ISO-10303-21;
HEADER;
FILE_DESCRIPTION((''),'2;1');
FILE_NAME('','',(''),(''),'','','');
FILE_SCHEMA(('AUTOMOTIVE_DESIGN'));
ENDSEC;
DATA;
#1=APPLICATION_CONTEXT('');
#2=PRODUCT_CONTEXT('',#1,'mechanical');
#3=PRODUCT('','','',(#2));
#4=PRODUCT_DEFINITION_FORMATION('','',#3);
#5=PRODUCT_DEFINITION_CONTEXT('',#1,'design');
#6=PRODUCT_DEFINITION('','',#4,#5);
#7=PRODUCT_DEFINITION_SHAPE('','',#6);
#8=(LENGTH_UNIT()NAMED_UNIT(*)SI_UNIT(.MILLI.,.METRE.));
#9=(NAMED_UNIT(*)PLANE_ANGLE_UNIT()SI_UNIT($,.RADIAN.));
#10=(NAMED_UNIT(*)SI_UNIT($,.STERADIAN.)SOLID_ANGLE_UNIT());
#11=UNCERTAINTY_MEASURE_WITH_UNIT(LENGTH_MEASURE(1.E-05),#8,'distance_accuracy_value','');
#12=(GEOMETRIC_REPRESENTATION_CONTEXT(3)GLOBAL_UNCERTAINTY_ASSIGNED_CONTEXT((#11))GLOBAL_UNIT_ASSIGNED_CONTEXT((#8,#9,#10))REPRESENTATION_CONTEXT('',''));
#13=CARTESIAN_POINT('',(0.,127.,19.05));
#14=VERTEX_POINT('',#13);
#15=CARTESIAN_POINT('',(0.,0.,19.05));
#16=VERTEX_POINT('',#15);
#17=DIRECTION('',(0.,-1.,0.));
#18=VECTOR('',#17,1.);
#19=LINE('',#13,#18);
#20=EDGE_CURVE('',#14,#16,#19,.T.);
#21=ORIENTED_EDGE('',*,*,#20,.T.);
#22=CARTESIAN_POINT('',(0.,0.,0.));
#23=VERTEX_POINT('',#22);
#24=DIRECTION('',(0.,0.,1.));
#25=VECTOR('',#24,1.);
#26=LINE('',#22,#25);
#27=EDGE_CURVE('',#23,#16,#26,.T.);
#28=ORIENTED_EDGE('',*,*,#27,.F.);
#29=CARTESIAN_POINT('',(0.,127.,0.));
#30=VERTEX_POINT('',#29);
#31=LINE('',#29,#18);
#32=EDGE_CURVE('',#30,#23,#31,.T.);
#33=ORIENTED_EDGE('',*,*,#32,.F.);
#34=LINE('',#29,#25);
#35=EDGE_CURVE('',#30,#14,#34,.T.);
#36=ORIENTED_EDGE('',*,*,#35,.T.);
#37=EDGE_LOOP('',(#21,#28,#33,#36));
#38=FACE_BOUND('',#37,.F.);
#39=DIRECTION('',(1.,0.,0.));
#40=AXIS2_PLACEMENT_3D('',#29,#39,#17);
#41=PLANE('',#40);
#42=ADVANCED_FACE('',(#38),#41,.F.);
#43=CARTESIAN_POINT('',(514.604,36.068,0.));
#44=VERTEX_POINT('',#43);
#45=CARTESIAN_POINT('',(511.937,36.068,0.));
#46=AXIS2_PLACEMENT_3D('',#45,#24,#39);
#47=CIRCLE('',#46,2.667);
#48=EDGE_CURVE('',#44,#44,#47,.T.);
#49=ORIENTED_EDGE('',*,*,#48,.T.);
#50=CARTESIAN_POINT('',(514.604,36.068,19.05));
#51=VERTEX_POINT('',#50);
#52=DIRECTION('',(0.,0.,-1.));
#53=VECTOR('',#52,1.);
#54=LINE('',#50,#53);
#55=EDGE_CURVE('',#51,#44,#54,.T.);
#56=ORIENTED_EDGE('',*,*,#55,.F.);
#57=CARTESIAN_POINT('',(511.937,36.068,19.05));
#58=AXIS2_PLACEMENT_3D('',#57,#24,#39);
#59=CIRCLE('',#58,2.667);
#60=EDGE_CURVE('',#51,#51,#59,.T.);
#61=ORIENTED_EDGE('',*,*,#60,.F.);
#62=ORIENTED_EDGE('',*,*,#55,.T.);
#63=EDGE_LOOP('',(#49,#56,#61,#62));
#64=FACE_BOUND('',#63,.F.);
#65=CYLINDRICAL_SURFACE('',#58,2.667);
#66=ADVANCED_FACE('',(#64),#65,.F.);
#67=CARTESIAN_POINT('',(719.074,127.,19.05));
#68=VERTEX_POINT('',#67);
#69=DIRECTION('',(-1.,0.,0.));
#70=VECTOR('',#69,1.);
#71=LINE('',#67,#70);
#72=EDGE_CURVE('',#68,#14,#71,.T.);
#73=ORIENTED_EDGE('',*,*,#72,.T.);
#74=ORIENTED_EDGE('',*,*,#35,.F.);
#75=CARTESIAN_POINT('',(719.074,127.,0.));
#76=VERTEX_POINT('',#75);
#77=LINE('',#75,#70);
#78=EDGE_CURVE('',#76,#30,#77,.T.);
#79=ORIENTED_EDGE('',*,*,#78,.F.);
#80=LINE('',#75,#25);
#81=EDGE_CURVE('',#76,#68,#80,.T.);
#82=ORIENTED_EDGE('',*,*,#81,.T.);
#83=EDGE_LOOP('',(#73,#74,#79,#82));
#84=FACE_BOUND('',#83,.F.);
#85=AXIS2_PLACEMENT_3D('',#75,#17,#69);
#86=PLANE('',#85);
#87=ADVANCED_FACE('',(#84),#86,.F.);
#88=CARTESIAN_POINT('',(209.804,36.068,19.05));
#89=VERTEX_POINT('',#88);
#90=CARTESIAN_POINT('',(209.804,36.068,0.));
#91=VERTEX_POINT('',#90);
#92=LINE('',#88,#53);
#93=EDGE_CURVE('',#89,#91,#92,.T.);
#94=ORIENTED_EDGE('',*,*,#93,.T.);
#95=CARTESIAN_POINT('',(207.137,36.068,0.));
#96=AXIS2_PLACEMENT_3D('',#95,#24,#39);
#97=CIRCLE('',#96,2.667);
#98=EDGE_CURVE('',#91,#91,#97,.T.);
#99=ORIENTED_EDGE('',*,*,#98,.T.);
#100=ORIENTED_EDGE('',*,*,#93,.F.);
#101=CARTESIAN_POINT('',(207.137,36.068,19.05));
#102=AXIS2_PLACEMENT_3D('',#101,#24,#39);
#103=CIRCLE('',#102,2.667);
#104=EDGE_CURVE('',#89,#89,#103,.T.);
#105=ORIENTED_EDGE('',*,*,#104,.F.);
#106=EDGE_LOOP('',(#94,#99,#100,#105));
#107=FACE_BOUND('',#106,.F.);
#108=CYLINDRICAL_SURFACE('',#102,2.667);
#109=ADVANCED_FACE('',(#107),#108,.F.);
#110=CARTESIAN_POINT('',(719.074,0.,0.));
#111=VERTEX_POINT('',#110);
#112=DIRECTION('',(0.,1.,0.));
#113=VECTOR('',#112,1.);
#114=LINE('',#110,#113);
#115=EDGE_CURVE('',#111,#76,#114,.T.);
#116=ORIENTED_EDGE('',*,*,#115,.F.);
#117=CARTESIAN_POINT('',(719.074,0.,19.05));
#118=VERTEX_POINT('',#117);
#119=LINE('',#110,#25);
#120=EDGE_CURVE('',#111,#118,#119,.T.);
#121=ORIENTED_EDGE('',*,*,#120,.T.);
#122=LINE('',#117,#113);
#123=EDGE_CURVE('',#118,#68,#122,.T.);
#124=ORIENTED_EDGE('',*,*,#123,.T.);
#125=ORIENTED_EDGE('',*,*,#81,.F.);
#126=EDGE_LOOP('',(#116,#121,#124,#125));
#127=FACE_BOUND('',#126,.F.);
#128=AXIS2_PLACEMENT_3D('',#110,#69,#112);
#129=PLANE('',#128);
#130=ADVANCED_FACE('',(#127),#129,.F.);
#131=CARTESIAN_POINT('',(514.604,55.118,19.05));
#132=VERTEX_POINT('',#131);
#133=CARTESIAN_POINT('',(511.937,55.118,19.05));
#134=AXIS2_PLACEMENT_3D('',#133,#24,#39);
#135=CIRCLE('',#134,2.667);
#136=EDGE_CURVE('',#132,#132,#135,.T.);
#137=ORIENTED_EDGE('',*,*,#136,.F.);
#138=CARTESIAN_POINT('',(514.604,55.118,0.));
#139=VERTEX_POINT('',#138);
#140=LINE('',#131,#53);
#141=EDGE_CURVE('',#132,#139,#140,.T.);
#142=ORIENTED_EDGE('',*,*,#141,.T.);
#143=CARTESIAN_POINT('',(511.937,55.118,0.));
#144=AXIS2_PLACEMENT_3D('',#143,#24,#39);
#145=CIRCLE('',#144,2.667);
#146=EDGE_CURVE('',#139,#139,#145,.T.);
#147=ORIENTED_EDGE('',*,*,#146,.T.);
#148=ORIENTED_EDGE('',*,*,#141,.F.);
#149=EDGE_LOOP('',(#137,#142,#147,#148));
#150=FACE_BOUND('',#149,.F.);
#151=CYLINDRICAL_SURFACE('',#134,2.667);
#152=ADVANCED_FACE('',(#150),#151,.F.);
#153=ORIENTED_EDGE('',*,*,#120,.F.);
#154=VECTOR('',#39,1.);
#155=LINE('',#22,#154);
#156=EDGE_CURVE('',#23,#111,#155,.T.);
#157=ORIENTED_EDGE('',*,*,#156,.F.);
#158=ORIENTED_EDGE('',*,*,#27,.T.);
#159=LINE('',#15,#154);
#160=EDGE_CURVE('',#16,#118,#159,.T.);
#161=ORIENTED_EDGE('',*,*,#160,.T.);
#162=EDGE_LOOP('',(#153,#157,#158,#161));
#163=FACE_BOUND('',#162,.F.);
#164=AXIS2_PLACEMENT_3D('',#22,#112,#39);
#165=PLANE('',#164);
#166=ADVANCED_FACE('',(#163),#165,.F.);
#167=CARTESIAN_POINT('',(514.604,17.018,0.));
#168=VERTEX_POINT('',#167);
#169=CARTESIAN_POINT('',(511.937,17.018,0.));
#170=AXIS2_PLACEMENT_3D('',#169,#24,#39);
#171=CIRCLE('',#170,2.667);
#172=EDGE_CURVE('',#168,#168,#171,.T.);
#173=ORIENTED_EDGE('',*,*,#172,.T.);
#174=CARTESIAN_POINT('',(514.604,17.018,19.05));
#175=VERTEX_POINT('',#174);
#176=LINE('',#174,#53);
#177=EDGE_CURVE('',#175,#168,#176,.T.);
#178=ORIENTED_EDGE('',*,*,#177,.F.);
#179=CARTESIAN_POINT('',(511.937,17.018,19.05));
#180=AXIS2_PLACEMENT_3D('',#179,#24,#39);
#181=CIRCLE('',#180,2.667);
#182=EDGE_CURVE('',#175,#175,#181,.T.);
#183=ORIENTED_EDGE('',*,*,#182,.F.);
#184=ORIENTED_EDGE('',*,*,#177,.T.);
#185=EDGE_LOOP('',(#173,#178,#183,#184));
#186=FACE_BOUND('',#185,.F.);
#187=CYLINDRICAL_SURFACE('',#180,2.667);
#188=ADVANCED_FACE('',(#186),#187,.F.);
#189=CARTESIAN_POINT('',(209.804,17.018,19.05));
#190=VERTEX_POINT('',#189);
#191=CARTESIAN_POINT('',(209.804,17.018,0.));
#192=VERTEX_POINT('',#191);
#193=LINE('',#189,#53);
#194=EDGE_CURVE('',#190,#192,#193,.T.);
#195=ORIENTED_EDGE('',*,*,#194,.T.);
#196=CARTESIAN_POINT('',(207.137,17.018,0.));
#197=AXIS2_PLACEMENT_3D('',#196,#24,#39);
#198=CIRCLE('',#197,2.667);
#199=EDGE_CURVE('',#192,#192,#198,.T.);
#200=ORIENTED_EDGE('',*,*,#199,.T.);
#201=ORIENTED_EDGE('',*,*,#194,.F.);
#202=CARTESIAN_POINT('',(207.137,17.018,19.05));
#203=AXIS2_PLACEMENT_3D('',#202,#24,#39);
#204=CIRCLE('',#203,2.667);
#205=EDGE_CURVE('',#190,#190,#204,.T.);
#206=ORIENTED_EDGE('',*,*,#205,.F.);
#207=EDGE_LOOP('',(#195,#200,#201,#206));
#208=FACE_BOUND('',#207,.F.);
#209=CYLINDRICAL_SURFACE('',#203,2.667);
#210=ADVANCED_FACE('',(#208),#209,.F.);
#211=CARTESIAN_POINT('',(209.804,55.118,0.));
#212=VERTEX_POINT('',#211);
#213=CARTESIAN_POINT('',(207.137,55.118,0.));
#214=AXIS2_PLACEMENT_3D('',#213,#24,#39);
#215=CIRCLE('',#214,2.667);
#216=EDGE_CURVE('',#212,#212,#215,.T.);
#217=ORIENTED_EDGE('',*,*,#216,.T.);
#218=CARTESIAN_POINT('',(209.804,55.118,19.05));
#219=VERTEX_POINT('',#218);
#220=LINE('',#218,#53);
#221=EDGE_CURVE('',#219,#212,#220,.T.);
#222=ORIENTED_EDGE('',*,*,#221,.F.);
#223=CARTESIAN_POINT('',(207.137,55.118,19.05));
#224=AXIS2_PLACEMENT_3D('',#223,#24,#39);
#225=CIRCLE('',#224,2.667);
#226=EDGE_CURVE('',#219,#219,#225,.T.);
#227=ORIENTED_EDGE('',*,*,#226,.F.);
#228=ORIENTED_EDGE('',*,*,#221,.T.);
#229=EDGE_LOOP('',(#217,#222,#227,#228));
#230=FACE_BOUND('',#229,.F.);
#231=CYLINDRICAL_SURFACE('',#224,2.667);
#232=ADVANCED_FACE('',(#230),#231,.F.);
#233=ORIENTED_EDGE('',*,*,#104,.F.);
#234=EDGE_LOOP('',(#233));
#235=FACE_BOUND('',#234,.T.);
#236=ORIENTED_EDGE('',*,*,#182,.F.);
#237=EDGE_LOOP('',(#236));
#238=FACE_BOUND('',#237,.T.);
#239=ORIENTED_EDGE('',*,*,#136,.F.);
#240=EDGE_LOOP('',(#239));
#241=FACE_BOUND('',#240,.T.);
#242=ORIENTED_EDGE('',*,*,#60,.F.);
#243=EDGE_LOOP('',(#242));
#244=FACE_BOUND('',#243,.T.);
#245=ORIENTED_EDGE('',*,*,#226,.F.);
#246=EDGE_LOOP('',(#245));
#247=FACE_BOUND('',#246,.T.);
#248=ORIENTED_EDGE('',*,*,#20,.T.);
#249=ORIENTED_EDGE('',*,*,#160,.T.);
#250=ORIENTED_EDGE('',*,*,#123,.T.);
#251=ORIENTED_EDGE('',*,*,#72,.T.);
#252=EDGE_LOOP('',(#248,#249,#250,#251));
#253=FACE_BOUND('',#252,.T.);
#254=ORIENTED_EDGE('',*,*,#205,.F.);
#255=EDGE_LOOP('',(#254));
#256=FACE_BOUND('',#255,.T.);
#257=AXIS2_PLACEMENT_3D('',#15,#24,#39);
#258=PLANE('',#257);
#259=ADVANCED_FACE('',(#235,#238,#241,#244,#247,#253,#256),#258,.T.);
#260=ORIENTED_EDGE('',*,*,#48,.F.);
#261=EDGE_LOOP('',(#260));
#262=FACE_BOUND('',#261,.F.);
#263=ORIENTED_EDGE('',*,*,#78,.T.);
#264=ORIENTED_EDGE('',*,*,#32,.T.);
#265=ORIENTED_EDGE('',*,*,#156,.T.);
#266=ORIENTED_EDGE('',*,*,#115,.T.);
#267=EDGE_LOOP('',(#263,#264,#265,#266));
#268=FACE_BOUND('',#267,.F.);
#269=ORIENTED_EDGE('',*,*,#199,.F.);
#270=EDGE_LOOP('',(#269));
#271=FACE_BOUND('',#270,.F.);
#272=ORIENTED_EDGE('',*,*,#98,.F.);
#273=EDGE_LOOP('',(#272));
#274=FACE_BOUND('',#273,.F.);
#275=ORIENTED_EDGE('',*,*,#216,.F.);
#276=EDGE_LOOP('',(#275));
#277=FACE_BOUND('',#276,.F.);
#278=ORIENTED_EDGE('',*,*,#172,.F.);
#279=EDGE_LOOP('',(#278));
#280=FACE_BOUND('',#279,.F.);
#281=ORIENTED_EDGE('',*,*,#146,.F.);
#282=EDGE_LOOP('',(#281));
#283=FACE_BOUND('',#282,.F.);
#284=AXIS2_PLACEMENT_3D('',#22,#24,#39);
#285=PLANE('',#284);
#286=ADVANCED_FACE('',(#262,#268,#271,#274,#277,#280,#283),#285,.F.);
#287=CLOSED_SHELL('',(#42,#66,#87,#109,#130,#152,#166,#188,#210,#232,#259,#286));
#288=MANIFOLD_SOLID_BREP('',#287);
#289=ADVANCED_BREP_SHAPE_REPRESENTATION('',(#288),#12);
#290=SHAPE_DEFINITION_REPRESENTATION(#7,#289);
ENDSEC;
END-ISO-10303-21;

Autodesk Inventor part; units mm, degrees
ref_plane "YZ Plane" through (0, 0, 0) normal (1, 0, 0) x (0, 1, 0)
ref_plane "XZ Plane" through (0, 0, 0) normal (0, 1, 0) x (-1, 0, 0)
ref_plane "XY Plane" through (0, 0, 0) normal (0, 0, 1) x (1, 0, 0)
sketch "Sketch1" plane through (0, 0, 0) normal (0, 0, 1) x (1, 0, 0)
  line L0 (0, 0) -> (719.074, 0)
  line L1 (719.074, 0) -> (719.074, 127)
  line L2 (719.074, 127) -> (0, 127)
  line L3 (0, 127) -> (0, 0)
  dimension "d0" = 719.074
  dimension "d1" = 127
extrude "Extrusion1" add sketch "Sketch1" along normal blind 19.05
sketch "Sketch2" plane through (0, 0, 19.05) normal (0, 0, 1) x (1, 0, 0)
  line L0 (0, 0) -> (719.074, 0) construction
  line L1 (0, 0) -> (207.137, 0) construction
  line L2 (207.137, 0) -> (207.137, 17.018) construction
  line L3 (207.137, 17.018) -> (207.137, 36.068) construction
  line L4 (207.137, 36.068) -> (207.137, 55.118) construction
  line L5 (719.074, 127) -> (0, 127) construction
  line L6 (359.537, 127) -> (359.537, 0) construction
  circle A0 centre (207.137, 17.018) radius 2.667
  circle A1 centre (207.137, 36.068) radius 2.667
  circle A2 centre (207.137, 55.118) radius 2.667
  line L7 (511.937, 17.018) -> (511.937, 36.068) construction
  line L8 (511.937, 36.068) -> (511.937, 55.118) construction
  circle A3 centre (511.937, 17.018) radius 2.667
  circle A4 centre (511.937, 36.068) radius 2.667
  circle A5 centre (511.937, 55.118) radius 2.667
  dimension "d4" = 207.137
  dimension "d5" = 17.018
  dimension "d6" = 19.05
  dimension "d7" = 19.05
  dimension "d8" = 5.334
extrude "Extrusion2" cut sketch "Sketch2" against normal blind 19.05
properties part number "Long Plank"
